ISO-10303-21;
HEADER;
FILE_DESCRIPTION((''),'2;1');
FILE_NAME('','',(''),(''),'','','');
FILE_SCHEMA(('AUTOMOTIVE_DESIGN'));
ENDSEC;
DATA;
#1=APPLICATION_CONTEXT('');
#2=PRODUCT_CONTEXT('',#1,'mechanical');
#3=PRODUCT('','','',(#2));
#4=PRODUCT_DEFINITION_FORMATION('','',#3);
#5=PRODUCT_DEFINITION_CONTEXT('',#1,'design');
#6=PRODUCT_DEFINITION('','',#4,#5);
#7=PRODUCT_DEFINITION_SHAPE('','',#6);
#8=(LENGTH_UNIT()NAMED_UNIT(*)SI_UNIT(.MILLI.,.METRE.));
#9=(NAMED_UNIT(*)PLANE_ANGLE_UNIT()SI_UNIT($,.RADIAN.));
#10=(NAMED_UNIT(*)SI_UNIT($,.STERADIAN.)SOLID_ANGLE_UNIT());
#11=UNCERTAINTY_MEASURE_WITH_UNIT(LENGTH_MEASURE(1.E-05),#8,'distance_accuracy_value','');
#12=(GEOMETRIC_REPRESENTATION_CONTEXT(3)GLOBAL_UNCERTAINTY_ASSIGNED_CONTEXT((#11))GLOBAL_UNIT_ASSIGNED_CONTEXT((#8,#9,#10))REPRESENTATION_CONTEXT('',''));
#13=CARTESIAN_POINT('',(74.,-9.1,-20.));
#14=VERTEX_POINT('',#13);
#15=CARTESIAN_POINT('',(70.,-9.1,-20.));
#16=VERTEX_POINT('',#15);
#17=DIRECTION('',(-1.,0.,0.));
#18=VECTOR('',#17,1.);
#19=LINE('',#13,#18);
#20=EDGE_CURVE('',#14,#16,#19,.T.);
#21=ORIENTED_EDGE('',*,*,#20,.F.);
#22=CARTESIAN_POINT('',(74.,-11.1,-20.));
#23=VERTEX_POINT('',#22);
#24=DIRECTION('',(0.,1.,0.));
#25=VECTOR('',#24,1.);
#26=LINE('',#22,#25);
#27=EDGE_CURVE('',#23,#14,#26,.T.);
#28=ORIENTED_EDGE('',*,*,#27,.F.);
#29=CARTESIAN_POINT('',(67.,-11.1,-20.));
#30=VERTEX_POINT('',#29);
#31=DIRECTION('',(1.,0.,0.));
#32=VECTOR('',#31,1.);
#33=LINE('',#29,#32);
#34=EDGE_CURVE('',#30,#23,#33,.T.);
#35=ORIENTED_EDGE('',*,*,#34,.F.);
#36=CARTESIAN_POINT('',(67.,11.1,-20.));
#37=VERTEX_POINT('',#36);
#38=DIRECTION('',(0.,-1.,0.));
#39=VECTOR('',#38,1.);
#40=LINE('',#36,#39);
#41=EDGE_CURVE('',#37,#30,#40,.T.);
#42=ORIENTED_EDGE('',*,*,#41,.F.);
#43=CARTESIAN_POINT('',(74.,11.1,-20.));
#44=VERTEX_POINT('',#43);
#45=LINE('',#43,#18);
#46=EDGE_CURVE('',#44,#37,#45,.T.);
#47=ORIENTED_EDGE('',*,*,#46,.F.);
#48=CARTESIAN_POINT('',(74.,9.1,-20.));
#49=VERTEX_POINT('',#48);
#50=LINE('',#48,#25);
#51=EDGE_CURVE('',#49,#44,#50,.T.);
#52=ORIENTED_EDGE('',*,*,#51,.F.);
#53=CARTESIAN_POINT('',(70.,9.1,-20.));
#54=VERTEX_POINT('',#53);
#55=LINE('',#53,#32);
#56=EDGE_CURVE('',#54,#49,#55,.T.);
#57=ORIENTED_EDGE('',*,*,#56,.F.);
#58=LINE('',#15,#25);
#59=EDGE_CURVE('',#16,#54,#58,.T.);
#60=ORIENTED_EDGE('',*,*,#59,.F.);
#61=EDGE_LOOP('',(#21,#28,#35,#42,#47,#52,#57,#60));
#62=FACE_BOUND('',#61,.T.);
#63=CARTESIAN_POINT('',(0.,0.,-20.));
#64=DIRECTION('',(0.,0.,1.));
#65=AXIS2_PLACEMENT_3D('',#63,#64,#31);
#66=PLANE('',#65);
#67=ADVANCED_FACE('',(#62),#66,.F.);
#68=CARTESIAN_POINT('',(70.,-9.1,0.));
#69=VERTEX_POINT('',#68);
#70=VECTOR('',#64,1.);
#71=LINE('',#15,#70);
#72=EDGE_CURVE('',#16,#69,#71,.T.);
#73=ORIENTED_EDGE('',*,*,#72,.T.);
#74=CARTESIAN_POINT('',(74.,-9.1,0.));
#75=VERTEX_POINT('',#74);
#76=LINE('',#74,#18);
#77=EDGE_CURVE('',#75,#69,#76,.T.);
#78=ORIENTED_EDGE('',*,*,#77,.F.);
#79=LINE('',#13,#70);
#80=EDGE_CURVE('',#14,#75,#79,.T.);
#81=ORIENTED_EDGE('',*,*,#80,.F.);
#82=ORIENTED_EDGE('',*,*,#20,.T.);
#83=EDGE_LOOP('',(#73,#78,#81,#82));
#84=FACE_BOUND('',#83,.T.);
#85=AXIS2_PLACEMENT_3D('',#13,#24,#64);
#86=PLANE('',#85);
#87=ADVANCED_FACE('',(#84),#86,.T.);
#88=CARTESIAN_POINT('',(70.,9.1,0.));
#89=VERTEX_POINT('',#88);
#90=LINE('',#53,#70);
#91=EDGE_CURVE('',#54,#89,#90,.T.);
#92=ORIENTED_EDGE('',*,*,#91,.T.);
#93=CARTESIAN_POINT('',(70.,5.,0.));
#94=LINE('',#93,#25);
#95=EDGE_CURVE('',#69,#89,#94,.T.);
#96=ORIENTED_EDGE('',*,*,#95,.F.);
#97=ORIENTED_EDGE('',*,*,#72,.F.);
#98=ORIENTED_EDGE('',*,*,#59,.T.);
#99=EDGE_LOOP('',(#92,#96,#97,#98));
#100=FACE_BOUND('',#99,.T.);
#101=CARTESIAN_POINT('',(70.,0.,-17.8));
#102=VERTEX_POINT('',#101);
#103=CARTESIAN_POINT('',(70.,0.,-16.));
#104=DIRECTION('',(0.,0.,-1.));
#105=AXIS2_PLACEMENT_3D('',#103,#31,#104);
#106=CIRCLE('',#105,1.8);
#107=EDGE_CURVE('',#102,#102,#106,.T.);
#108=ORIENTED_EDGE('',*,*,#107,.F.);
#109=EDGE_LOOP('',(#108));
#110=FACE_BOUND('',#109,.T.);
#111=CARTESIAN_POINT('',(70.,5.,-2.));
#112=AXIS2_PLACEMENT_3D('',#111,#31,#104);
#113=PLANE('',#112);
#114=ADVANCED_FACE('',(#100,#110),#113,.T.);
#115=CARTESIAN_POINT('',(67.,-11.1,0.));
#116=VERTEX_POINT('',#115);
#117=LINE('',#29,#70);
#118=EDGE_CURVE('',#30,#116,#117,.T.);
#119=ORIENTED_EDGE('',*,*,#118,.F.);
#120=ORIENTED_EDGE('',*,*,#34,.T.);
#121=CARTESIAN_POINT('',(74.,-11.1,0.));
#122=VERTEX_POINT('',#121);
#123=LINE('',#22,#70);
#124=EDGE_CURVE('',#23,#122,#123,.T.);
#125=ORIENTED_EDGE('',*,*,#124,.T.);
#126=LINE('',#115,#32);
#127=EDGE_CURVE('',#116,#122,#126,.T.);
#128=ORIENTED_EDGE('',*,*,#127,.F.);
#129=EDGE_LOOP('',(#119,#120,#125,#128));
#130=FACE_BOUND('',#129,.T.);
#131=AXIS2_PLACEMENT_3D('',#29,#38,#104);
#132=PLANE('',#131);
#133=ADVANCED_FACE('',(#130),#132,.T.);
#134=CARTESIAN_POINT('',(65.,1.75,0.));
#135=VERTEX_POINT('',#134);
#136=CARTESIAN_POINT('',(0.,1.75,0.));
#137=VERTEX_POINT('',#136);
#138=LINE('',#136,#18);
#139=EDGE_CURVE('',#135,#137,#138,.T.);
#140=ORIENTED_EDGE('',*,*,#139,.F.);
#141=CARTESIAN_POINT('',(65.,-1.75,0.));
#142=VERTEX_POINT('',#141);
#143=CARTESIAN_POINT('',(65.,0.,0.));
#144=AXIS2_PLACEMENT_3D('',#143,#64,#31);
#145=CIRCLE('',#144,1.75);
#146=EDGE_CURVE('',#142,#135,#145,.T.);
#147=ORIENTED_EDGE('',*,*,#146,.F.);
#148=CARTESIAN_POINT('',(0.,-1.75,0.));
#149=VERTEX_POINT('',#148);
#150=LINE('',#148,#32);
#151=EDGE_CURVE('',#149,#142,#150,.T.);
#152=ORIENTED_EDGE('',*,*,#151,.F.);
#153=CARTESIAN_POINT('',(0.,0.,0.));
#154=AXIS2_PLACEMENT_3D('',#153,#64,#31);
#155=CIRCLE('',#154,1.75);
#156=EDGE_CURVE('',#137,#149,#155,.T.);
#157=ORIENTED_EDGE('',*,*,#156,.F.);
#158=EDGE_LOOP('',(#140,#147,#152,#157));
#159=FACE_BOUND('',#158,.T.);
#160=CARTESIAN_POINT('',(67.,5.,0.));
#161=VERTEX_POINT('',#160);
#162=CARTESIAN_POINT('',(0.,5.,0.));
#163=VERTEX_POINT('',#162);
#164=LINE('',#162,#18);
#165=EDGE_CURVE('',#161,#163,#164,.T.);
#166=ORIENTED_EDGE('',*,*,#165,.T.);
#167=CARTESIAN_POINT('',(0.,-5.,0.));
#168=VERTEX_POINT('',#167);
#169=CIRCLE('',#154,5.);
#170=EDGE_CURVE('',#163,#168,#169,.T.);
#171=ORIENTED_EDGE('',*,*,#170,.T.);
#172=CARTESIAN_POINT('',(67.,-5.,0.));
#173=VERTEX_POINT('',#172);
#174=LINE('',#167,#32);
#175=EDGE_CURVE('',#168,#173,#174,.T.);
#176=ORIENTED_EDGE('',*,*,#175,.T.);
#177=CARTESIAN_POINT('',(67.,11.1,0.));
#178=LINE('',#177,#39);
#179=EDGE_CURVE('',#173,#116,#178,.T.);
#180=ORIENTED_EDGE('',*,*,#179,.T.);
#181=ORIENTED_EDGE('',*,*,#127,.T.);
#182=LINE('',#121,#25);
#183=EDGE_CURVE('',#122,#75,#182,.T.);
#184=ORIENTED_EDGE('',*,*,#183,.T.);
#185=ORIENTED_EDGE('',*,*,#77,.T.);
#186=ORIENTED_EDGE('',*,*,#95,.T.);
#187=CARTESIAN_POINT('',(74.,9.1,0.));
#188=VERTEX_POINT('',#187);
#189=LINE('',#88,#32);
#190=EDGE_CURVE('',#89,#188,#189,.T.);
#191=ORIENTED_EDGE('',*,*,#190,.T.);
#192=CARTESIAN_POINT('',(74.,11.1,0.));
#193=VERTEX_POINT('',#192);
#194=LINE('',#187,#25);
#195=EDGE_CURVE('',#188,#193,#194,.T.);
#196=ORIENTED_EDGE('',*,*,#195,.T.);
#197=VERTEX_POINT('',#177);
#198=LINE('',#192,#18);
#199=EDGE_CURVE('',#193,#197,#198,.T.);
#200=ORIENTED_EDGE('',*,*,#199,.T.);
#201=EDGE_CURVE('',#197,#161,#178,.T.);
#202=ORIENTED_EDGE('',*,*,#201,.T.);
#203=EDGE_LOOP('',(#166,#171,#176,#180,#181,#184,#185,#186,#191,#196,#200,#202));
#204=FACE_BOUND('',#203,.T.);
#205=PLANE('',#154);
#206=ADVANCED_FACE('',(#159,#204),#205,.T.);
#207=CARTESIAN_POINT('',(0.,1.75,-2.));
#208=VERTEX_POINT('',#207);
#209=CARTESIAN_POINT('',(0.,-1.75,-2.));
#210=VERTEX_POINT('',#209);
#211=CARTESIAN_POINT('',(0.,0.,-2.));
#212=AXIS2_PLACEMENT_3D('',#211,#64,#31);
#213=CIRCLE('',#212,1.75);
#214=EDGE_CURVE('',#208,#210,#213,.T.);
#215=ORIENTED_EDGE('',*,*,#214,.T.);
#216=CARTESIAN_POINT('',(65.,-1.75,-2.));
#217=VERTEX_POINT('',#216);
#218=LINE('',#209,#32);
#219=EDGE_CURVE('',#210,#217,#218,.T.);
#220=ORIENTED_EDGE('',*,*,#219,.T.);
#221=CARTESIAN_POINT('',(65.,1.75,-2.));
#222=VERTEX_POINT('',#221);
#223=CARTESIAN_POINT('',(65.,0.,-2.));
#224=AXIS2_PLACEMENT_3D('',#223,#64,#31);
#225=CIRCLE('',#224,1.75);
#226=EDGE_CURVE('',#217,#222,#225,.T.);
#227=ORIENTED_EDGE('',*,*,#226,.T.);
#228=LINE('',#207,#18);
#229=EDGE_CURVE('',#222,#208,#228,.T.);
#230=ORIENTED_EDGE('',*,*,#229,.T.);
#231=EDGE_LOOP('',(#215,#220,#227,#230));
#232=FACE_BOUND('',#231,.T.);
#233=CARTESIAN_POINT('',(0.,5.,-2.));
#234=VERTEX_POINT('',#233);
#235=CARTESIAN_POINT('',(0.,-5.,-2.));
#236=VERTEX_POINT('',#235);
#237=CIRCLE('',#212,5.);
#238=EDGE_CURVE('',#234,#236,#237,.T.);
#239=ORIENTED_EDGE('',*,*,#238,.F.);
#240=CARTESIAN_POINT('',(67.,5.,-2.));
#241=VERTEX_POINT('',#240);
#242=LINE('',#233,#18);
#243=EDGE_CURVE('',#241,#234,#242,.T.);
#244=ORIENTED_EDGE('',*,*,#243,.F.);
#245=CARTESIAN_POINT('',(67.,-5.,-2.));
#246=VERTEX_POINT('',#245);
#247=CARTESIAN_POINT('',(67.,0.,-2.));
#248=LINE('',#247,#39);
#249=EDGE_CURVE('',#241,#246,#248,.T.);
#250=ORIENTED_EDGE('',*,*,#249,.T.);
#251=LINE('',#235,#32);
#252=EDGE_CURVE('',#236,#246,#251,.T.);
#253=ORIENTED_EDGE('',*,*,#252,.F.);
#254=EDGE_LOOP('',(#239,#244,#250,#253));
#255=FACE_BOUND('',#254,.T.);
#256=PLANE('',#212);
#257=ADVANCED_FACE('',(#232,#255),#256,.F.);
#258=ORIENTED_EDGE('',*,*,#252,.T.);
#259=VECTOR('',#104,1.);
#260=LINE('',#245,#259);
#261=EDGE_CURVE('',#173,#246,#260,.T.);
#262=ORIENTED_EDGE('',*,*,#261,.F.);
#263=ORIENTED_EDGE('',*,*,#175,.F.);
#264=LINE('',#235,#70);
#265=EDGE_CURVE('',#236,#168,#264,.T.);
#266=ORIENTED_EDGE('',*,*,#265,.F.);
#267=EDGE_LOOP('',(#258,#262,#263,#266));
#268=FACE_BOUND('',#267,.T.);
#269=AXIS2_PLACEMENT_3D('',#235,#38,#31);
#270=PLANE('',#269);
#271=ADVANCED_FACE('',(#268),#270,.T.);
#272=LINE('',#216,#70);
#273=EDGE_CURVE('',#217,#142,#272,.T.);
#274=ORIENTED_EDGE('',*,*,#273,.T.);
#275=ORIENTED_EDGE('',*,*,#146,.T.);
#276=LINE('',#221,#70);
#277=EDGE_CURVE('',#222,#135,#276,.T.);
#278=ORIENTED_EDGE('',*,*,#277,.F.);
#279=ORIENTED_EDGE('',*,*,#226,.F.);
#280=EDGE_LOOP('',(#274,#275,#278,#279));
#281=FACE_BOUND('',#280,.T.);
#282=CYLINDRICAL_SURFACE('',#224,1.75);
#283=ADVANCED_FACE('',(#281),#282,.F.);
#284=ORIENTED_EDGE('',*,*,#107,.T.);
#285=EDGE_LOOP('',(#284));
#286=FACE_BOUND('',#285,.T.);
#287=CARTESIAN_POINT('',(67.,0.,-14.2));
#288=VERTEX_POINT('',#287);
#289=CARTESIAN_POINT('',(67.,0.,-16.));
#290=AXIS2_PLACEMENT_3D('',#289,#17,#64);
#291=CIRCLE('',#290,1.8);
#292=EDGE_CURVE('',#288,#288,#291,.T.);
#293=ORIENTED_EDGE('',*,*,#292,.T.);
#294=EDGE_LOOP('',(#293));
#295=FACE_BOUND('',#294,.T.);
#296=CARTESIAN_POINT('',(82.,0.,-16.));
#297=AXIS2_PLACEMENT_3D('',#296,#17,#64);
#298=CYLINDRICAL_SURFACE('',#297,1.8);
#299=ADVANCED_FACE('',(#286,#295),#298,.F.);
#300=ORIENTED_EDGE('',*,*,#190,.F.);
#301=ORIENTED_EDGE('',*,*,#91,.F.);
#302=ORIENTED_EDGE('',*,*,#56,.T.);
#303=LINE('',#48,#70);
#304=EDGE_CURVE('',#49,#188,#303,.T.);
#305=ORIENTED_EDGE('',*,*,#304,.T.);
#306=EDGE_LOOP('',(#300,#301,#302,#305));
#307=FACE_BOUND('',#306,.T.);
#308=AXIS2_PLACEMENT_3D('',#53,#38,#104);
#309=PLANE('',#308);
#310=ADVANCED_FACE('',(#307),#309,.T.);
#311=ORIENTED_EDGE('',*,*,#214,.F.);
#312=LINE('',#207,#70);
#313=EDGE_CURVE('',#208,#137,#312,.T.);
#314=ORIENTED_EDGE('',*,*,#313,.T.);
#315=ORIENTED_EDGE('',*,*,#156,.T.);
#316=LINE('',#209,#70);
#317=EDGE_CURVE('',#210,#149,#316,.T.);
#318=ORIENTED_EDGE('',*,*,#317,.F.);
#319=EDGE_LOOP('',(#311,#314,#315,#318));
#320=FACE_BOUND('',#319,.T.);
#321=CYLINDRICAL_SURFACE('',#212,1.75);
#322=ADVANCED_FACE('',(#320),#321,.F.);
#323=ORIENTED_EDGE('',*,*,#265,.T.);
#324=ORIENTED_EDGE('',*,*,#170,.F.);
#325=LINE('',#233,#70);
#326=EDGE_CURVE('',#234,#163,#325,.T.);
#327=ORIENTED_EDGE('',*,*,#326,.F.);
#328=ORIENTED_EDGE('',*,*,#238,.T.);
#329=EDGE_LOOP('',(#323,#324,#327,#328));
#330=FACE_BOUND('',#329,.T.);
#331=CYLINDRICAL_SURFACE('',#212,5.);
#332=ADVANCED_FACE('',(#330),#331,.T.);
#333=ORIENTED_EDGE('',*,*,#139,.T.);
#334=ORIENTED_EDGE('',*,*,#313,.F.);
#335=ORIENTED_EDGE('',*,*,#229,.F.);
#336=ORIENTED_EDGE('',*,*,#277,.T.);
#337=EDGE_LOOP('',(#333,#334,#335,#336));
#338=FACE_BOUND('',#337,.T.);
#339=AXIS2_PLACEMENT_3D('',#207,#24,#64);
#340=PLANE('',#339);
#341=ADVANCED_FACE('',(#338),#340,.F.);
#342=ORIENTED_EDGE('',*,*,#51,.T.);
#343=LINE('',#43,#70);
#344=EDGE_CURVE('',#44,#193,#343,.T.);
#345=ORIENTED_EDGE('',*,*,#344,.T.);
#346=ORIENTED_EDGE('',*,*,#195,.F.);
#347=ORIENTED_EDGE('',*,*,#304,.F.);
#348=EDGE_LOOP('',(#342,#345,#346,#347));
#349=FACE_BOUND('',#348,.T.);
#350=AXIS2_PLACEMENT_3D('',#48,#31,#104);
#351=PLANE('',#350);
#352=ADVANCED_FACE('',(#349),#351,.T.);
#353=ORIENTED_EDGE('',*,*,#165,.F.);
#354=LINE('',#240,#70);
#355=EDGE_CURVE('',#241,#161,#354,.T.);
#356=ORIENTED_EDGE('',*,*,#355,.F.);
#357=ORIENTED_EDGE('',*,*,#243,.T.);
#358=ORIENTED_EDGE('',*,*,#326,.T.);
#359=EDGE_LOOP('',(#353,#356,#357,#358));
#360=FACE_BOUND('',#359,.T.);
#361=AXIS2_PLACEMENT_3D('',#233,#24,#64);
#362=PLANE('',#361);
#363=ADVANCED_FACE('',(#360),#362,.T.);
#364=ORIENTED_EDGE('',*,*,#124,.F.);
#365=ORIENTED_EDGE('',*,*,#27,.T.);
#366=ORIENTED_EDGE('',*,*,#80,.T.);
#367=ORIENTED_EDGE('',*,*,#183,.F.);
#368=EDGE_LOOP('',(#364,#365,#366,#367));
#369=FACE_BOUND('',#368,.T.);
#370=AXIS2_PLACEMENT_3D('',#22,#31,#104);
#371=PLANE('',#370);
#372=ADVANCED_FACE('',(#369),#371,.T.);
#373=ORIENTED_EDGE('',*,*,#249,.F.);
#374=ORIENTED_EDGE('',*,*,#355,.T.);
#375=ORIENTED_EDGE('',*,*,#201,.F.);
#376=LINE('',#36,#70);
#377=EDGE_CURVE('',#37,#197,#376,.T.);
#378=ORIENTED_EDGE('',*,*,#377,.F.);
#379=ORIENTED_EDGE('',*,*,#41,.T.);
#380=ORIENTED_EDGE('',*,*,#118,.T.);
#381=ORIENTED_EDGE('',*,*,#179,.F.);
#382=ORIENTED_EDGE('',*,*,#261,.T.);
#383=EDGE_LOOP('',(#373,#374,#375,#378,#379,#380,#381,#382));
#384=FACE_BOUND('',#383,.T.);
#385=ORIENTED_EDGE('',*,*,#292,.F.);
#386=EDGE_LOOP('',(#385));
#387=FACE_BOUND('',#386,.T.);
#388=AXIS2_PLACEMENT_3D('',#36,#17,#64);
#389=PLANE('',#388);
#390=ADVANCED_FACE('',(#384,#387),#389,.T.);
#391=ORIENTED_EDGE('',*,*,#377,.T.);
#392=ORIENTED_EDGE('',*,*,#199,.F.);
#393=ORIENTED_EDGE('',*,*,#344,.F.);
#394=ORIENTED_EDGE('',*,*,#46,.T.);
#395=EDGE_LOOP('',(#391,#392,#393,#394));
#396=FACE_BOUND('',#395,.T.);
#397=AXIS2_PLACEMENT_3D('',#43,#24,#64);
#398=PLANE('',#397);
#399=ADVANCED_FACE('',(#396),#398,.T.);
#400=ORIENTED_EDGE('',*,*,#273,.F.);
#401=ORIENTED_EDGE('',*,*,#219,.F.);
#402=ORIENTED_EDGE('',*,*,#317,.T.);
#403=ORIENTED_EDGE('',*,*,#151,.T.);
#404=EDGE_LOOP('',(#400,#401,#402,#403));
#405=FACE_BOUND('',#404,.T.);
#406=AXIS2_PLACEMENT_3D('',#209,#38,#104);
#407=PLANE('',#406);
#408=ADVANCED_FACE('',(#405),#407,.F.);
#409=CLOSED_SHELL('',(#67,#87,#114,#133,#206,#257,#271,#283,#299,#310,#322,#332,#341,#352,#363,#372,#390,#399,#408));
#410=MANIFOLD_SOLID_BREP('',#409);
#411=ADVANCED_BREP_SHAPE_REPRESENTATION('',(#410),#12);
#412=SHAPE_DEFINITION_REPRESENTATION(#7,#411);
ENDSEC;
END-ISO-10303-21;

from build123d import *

# Parameters (mm, degrees)
BOSS_EXTRUDE1_DEPTH = 2
BOSS_EXTRUDE2_DEPTH = 20
SKETCH3_R           = 1.8
CUT_EXTRUDE1_DEPTH  = 15


with BuildPart() as part:
    # Sketch1 → Boss-Extrude1 (new body)
    with BuildSketch(Plane.XY):
        with BuildLine():
            Line((0, 5), (70, 5))
            Line((70, 5), (70, -5))
            Line((70, -5), (0, -5))
            ThreePointArc((0, -5), (-5, 0), (0, 5))
        make_face()
        with BuildLine():
            Line((0, 1.75), (65, 1.75))
            ThreePointArc((65, 1.75), (66.75, 0), (65, -1.75))
            Line((65, -1.75), (0, -1.75))
            ThreePointArc((0, -1.75), (-1.75, 0), (0, 1.75))
        make_face(mode=Mode.SUBTRACT)
    extrude(amount=-BOSS_EXTRUDE1_DEPTH)

    # Sketch2 → Boss-Extrude2 (add)
    with BuildSketch(Plane.XY):
        Polygon((74, 11.1), (67, 11.1), (67, -11.1), (74, -11.1), (74, -9.1), (70, -9.1), (70, 9.1), (74, 9.1), align=None)
    extrude(amount=-BOSS_EXTRUDE2_DEPTH)

    # Sketch3 → Cut-Extrude1 (cut)
    with BuildSketch(Plane.ZY.offset(-67)):
        with Locations((-16, 0)):
            Circle(SKETCH3_R)
    extrude(amount=-CUT_EXTRUDE1_DEPTH, mode=Mode.SUBTRACT)


solid = part.part
